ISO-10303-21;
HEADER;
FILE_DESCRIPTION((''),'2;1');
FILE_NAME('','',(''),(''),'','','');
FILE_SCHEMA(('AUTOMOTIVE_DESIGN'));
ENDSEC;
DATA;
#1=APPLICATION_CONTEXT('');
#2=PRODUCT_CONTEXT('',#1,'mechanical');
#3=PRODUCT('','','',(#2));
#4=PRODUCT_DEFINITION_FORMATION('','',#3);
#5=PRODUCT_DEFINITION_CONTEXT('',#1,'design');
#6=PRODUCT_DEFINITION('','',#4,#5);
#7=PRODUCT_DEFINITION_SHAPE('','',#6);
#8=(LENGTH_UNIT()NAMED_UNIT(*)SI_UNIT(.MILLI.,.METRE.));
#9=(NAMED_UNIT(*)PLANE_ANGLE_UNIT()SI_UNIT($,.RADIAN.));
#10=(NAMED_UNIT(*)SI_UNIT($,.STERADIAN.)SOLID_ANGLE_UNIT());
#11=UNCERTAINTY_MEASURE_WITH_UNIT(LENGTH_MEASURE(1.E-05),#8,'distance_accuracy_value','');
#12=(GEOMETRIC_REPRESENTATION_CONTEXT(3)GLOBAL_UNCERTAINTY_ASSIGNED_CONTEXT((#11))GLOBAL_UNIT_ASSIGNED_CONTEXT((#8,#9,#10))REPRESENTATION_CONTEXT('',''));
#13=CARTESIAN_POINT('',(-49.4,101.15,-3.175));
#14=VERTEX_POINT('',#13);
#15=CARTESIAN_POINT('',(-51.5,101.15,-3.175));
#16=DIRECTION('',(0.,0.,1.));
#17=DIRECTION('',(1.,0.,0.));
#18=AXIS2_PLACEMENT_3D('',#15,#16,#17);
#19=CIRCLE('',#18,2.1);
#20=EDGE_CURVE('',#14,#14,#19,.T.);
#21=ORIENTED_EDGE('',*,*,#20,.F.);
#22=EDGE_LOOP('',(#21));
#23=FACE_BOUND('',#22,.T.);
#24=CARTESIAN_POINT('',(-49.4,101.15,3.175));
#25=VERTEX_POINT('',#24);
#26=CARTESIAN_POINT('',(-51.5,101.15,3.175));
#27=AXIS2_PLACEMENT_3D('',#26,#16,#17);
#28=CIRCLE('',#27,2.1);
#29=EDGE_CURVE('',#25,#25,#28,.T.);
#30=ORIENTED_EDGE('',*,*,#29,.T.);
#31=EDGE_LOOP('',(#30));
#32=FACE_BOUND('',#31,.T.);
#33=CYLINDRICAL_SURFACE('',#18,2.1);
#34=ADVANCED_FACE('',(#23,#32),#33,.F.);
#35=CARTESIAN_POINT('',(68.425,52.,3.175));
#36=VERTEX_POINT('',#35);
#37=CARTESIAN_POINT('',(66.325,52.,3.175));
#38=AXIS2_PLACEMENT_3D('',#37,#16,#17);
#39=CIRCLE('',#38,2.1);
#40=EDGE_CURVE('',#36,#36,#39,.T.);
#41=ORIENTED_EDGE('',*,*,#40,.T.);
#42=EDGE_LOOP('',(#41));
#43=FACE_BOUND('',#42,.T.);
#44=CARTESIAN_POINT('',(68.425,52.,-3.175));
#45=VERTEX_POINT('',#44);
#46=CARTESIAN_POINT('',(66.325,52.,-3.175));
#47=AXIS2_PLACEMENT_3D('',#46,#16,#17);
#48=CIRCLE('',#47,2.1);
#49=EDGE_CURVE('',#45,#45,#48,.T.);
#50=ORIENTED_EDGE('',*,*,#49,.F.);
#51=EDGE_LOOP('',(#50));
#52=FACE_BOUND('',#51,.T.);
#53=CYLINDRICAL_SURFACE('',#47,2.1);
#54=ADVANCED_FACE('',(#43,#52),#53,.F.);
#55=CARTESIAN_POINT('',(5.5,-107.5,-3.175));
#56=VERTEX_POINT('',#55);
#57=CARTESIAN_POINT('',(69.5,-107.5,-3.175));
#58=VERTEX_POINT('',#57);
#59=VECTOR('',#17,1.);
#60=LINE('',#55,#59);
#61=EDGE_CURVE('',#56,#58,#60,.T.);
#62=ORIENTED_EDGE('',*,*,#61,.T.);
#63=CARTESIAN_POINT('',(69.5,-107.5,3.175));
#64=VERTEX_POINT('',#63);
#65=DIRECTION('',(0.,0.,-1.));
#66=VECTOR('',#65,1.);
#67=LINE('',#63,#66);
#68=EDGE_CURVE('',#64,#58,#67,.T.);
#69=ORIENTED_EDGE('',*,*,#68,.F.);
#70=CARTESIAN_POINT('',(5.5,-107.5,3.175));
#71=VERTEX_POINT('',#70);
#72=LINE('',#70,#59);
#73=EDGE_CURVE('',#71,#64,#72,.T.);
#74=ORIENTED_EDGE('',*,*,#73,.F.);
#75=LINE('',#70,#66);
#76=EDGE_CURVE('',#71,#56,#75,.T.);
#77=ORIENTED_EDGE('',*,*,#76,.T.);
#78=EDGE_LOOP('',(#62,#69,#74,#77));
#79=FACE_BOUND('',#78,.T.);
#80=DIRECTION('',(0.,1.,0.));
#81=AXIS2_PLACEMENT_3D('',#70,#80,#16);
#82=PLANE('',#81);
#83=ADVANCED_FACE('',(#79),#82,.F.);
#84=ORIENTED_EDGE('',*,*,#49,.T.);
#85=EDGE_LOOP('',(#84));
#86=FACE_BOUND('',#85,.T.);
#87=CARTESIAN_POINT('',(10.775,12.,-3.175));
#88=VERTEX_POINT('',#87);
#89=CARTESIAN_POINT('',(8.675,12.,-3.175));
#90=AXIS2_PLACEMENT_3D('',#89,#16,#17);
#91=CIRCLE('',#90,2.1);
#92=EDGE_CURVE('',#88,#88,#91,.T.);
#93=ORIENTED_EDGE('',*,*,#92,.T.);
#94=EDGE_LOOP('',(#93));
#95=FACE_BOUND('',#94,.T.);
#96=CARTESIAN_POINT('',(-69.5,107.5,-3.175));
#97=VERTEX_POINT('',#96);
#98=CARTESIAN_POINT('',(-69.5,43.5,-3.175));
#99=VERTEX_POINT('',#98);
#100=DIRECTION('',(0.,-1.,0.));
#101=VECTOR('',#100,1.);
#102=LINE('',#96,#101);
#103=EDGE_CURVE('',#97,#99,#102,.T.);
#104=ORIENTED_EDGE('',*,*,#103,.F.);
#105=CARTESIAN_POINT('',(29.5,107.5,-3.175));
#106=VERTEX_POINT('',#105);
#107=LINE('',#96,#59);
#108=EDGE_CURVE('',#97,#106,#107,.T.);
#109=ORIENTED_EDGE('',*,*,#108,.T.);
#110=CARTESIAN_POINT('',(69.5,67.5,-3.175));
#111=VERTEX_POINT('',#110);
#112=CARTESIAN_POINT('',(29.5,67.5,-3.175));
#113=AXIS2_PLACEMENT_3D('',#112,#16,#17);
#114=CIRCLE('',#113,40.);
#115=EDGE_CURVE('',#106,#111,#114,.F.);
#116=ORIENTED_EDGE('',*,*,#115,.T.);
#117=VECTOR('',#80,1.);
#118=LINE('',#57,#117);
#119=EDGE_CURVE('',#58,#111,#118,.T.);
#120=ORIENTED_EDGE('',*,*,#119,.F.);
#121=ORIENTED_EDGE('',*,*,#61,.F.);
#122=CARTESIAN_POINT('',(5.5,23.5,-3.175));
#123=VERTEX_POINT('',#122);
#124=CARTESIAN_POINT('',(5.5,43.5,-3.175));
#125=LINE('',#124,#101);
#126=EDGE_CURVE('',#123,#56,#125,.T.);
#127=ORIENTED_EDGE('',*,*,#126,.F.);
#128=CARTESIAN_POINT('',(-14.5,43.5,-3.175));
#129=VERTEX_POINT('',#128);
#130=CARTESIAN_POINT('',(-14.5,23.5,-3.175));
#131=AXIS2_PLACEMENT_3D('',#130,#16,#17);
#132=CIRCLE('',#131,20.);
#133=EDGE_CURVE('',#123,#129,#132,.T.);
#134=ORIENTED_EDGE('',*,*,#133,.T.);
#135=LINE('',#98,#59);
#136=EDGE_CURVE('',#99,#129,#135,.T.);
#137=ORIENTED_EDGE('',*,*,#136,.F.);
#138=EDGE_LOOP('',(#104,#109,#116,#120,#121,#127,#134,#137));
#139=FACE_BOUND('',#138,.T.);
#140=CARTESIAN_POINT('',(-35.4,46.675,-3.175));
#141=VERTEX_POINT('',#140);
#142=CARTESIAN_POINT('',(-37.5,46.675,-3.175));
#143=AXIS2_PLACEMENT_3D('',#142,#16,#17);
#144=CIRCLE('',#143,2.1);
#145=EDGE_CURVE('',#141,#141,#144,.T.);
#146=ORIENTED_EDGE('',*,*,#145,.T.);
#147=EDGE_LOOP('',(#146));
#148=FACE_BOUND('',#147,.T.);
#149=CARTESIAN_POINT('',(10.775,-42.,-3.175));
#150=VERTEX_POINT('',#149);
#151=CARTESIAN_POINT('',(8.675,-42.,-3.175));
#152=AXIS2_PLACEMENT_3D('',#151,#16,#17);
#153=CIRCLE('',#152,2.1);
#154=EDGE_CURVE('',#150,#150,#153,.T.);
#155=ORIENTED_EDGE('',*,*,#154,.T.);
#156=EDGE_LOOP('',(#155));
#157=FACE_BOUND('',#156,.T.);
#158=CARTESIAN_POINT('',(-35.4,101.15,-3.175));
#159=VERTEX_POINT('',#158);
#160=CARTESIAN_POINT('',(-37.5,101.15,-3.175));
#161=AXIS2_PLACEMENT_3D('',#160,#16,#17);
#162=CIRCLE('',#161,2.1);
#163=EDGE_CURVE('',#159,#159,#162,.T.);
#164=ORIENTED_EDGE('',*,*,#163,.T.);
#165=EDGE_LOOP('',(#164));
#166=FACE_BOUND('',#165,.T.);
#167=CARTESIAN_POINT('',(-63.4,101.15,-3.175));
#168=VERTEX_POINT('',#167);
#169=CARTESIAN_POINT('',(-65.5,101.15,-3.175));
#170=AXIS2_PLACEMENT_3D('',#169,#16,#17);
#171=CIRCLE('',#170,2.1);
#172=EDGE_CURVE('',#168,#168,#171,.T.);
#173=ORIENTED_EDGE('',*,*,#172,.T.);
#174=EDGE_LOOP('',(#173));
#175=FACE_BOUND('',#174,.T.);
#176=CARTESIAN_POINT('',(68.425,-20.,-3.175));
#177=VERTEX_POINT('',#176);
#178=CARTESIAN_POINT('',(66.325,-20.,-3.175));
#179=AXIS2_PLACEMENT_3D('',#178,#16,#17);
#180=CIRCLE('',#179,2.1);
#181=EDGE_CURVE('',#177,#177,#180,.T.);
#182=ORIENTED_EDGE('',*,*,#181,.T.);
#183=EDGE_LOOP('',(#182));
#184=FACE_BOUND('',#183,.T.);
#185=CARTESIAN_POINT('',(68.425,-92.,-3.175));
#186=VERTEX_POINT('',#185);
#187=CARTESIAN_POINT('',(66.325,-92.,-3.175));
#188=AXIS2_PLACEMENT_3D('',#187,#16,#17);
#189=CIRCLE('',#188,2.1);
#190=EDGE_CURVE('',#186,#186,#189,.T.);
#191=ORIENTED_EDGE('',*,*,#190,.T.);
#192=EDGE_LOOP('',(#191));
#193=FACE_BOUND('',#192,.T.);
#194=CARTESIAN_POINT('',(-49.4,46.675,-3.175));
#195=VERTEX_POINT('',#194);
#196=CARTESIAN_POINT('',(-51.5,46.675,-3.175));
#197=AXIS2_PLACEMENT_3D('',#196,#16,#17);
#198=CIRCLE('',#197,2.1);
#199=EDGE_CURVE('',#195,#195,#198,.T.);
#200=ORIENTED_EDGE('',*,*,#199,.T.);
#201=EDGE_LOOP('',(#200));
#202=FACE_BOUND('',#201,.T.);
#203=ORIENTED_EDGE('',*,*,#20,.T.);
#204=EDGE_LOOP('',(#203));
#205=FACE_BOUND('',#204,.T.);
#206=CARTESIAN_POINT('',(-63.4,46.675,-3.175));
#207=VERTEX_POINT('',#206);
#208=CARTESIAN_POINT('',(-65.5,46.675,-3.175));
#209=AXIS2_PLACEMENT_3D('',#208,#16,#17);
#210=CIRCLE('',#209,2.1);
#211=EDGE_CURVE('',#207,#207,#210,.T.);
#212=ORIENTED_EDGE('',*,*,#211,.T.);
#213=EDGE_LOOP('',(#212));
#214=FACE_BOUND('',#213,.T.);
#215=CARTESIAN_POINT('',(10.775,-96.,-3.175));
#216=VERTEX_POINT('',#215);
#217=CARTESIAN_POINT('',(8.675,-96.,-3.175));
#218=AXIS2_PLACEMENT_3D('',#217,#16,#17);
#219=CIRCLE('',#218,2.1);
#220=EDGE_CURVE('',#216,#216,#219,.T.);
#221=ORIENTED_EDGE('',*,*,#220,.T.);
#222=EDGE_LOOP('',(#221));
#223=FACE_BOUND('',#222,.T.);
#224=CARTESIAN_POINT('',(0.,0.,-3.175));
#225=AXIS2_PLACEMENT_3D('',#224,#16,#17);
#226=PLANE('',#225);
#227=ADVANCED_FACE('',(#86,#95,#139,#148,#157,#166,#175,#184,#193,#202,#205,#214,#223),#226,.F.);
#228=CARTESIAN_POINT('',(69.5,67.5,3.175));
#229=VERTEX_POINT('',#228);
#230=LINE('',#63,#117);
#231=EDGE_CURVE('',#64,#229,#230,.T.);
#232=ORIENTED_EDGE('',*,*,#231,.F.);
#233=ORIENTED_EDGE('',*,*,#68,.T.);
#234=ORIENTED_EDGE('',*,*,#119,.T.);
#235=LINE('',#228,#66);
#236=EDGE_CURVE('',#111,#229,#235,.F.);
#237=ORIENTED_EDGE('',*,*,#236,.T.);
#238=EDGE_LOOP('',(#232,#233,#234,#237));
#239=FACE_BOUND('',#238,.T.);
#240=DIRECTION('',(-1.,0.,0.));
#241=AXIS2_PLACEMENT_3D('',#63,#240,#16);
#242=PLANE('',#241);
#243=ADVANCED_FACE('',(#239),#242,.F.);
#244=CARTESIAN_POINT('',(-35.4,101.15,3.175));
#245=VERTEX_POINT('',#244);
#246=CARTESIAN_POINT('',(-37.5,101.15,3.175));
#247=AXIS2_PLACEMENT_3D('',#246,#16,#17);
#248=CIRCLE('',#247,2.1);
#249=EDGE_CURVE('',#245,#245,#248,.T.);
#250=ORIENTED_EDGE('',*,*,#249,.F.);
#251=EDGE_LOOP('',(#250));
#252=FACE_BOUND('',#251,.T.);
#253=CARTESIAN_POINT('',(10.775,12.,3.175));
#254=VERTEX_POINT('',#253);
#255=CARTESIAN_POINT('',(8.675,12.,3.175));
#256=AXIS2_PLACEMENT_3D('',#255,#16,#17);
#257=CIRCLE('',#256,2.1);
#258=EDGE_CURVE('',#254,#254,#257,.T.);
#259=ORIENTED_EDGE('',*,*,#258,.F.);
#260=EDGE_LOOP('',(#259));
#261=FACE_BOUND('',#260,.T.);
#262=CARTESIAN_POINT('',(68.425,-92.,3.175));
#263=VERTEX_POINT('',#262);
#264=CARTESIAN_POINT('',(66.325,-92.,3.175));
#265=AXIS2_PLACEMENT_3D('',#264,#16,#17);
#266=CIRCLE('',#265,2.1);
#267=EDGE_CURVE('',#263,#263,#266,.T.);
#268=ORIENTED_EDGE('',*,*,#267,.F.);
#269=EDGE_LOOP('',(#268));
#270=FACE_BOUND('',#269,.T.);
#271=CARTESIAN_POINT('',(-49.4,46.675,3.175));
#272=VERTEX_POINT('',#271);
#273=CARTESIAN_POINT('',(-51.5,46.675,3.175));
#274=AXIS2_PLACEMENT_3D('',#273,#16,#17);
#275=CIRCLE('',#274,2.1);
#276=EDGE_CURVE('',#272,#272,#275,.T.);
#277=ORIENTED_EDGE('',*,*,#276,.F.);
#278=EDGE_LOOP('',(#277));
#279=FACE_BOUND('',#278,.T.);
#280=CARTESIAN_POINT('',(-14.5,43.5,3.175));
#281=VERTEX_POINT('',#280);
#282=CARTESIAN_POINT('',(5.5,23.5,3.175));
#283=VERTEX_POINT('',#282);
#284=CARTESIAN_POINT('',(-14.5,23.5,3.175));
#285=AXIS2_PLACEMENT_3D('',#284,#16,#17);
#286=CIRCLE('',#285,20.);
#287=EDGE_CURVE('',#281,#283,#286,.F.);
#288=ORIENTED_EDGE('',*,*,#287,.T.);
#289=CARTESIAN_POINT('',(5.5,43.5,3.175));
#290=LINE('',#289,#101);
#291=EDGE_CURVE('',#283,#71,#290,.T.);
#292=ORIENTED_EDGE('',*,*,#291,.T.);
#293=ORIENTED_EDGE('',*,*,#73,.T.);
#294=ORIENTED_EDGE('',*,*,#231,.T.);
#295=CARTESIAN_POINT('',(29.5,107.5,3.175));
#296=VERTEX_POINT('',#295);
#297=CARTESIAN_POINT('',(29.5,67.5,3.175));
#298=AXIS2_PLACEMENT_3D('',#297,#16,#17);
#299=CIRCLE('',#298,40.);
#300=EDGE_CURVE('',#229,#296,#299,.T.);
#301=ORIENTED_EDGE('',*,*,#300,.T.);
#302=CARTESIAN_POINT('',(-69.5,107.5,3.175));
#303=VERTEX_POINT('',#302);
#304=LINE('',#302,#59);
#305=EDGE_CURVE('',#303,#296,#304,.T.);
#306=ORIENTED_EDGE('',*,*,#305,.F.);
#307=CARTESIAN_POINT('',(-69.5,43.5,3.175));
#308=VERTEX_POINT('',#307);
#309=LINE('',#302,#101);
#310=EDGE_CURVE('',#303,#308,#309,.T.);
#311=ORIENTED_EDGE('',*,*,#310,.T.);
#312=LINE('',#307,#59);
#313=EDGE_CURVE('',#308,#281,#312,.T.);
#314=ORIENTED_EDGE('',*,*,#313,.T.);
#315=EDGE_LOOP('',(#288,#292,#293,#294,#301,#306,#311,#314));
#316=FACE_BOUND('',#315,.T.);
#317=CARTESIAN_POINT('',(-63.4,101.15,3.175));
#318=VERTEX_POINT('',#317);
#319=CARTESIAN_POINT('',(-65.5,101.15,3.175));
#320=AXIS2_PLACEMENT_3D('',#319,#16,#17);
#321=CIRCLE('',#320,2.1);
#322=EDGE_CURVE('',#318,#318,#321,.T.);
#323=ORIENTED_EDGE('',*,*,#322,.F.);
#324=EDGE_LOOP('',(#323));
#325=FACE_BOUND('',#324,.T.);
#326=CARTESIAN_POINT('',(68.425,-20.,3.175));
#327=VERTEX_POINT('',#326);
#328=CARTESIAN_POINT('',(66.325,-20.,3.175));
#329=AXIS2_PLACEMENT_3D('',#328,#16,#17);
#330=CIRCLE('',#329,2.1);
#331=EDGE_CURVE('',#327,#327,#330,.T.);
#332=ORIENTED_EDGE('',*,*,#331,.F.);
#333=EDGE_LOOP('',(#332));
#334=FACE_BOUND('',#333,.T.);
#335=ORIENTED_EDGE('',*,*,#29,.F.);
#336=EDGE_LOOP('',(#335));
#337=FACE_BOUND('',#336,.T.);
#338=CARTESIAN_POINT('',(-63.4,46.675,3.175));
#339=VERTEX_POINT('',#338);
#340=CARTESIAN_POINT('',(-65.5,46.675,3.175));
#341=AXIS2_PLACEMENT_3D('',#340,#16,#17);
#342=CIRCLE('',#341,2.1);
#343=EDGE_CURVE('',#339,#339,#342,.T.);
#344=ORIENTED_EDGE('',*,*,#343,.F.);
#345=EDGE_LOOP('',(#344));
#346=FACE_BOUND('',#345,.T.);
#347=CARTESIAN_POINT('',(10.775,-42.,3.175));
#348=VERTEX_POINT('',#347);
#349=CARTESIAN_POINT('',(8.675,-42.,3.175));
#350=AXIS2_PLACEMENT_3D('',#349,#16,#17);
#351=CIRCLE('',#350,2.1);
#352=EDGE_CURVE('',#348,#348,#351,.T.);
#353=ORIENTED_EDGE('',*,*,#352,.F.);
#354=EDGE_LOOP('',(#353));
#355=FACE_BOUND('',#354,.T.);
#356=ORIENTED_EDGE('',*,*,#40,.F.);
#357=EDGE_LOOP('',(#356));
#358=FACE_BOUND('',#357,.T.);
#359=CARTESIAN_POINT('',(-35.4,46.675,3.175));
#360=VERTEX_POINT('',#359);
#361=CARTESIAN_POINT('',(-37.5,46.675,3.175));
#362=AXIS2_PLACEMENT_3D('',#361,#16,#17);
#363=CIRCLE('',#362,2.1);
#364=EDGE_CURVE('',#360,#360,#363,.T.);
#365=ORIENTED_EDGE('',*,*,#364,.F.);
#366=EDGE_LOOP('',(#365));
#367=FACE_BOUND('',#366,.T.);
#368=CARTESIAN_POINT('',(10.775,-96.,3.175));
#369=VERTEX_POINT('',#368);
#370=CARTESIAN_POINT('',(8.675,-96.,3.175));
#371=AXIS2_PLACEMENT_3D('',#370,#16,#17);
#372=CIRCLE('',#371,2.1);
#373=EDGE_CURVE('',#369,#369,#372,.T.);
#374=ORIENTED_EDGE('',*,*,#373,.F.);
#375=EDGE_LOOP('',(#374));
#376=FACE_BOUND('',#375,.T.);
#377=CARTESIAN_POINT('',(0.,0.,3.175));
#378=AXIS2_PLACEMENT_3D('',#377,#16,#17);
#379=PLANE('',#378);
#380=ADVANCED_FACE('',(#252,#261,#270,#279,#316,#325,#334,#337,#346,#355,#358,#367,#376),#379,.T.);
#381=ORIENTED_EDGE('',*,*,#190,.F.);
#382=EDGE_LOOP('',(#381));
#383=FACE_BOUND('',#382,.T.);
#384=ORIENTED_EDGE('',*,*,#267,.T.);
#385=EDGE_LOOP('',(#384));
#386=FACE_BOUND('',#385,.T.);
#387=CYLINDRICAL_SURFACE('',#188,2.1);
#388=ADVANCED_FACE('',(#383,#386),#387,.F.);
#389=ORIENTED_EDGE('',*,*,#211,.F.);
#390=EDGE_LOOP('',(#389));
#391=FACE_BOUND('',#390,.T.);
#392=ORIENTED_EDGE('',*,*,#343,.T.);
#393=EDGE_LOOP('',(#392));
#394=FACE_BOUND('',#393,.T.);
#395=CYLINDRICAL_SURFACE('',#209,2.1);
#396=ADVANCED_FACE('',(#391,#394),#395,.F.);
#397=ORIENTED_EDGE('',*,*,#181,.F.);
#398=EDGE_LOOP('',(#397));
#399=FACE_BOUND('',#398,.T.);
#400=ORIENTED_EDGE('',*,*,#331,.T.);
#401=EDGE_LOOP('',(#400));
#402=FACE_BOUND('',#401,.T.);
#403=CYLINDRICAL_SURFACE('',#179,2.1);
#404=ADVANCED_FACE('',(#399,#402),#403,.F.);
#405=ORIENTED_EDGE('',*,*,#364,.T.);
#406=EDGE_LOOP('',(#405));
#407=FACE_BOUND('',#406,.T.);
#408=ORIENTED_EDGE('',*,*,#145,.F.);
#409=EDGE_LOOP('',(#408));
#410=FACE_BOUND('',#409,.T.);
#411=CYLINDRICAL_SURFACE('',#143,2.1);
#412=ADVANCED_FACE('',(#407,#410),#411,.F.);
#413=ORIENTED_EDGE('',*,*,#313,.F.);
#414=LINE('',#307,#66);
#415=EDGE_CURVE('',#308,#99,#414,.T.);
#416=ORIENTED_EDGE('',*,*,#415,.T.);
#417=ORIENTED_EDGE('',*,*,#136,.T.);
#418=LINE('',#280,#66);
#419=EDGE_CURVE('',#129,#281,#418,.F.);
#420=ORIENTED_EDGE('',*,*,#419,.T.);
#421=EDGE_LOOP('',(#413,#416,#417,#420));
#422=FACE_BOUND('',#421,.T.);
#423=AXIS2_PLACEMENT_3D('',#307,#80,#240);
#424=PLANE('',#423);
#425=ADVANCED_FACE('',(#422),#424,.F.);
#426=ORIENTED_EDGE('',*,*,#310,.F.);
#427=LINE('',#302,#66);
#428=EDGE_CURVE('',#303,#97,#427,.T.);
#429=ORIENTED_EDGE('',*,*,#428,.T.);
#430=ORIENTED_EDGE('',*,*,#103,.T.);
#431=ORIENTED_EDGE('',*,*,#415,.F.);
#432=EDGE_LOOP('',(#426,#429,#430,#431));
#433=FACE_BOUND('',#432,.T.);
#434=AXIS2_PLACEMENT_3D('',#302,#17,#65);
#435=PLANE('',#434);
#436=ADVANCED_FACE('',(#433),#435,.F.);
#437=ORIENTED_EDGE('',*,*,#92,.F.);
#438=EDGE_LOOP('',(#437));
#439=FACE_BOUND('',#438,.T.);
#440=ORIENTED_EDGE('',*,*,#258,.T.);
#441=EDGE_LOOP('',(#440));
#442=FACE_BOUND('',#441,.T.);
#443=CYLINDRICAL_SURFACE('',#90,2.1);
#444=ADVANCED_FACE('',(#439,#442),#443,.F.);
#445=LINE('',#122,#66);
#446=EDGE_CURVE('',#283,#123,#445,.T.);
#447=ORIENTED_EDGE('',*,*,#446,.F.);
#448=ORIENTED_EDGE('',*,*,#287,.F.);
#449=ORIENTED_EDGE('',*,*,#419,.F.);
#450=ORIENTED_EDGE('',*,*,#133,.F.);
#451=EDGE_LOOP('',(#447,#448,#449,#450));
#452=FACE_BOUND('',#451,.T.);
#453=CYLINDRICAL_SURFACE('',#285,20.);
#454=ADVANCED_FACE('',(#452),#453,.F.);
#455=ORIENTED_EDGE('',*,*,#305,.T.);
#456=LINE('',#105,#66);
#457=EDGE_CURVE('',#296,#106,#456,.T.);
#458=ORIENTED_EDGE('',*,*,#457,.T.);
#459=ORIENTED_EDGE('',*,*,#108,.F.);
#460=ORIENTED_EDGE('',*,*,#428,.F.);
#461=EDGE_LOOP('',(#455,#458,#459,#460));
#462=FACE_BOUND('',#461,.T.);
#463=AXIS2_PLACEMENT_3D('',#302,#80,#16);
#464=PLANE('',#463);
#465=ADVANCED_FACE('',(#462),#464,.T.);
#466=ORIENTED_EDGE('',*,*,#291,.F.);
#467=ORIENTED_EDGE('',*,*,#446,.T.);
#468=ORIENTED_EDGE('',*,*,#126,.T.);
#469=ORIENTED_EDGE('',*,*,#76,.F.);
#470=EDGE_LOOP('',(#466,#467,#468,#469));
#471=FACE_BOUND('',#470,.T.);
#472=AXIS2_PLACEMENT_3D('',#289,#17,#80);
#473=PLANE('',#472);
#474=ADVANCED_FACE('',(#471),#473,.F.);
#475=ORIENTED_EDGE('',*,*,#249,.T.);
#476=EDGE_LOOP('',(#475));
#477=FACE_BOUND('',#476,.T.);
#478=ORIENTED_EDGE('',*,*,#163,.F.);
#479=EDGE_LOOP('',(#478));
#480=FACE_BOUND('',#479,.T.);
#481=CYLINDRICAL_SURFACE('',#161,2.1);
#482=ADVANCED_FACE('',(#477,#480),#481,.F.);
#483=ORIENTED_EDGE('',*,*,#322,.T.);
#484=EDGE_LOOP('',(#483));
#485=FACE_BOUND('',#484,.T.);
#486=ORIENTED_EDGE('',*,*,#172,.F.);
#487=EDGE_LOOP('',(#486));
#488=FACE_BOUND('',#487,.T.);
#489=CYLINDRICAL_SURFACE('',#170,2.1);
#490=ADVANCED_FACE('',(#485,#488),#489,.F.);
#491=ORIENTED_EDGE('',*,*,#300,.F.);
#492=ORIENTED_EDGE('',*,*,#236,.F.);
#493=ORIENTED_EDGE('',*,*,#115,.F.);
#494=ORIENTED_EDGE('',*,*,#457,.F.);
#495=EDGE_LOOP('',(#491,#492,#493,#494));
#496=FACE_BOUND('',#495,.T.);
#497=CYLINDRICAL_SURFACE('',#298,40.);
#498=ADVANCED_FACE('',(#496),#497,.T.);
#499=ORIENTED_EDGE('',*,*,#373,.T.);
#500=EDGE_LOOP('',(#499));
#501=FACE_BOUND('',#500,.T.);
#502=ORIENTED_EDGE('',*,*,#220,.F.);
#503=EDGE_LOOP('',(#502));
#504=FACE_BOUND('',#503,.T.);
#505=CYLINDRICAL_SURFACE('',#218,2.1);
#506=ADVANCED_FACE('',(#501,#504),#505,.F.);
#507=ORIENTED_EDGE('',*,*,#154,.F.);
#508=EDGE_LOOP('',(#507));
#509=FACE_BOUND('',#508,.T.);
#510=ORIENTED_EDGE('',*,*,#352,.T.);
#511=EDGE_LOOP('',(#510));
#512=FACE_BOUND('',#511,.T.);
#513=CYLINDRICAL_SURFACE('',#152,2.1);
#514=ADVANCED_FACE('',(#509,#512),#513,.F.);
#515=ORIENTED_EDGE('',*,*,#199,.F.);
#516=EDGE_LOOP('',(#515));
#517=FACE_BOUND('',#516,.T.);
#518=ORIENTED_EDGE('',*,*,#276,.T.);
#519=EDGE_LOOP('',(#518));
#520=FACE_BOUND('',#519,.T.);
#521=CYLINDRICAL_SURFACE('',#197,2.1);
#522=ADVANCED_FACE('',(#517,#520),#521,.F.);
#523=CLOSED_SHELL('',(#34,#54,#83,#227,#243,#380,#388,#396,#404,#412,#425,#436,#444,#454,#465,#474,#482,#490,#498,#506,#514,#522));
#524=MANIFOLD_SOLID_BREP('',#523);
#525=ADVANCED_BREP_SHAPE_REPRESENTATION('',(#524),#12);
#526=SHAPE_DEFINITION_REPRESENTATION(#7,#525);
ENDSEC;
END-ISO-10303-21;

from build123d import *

# Parameters (mm, degrees)
BOSS_EXTRUDE1_DEPTH = 3.175
FILLET2_R           = 40
FILLET3_R           = 20
SKETCH2_R           = 2.1
CUT_EXTRUDE1_DEPTH  = 129.167166232
SKETCH3_R           = 2.1
CUT_EXTRUDE2_DEPTH  = 129.167166232
SKETCH4_R           = 2.1
CUT_EXTRUDE3_DEPTH  = 129.167166232


with BuildPart() as part:
    # Sketch1 → Boss-Extrude1 (new, symmetric)
    with BuildSketch(Plane.XY):
        Polygon((-69.5, 107.5), (-69.5, 43.5), (5.5, 43.5), (5.5, -107.5), (69.5, -107.5), (69.5, 107.5), align=None)
    extrude(amount=BOSS_EXTRUDE1_DEPTH, both=True)

    # Fillet2
    fillet2_edges = [part.edges().sort_by_distance(p)[0] for p in [
        (69.5, 107.5, 0),
    ]]
    fillet(fillet2_edges, radius=FILLET2_R)

    # Fillet3
    fillet3_edges = [part.edges().sort_by_distance(p)[0] for p in [
        (5.5, 43.5, 0),
    ]]
    fillet(fillet3_edges, radius=FILLET3_R)

    # Sketch2 → Cut-Extrude1 (cut, through all)
    with BuildSketch(Plane.XY.offset(3.175)):
        with Locations((-37.5, 101.15)):
            Circle(SKETCH2_R)
        with Locations((-51.5, 101.15)):
            Circle(SKETCH2_R)
        with Locations((-65.5, 101.15)):
            Circle(SKETCH2_R)
        with Locations((-65.5, 46.675)):
            Circle(SKETCH2_R)
        with Locations((-37.5, 46.675)):
            Circle(SKETCH2_R)
        with Locations((-51.5, 46.675)):
            Circle(SKETCH2_R)
    extrude(amount=-CUT_EXTRUDE1_DEPTH, mode=Mode.SUBTRACT)

    # Sketch3 → Cut-Extrude2 (cut, through all)
    with BuildSketch(Plane.XY.offset(3.175)):
        with Locations((66.325, -92)):
            Circle(SKETCH3_R)
        with Locations((66.325, 52)):
            Circle(SKETCH3_R)
        with Locations((66.325, -20)):
            Circle(SKETCH3_R)
    extrude(amount=-CUT_EXTRUDE2_DEPTH, mode=Mode.SUBTRACT)

    # Sketch4 → Cut-Extrude3 (cut, through all)
    with BuildSketch(Plane.XY.offset(3.175)):
        with Locations((8.675, -96)):
            Circle(SKETCH4_R)
        with Locations((8.675, -42)):
            Circle(SKETCH4_R)
        with Locations((8.675, 12)):
            Circle(SKETCH4_R)
    extrude(amount=-CUT_EXTRUDE3_DEPTH, mode=Mode.SUBTRACT)


solid = part.part
